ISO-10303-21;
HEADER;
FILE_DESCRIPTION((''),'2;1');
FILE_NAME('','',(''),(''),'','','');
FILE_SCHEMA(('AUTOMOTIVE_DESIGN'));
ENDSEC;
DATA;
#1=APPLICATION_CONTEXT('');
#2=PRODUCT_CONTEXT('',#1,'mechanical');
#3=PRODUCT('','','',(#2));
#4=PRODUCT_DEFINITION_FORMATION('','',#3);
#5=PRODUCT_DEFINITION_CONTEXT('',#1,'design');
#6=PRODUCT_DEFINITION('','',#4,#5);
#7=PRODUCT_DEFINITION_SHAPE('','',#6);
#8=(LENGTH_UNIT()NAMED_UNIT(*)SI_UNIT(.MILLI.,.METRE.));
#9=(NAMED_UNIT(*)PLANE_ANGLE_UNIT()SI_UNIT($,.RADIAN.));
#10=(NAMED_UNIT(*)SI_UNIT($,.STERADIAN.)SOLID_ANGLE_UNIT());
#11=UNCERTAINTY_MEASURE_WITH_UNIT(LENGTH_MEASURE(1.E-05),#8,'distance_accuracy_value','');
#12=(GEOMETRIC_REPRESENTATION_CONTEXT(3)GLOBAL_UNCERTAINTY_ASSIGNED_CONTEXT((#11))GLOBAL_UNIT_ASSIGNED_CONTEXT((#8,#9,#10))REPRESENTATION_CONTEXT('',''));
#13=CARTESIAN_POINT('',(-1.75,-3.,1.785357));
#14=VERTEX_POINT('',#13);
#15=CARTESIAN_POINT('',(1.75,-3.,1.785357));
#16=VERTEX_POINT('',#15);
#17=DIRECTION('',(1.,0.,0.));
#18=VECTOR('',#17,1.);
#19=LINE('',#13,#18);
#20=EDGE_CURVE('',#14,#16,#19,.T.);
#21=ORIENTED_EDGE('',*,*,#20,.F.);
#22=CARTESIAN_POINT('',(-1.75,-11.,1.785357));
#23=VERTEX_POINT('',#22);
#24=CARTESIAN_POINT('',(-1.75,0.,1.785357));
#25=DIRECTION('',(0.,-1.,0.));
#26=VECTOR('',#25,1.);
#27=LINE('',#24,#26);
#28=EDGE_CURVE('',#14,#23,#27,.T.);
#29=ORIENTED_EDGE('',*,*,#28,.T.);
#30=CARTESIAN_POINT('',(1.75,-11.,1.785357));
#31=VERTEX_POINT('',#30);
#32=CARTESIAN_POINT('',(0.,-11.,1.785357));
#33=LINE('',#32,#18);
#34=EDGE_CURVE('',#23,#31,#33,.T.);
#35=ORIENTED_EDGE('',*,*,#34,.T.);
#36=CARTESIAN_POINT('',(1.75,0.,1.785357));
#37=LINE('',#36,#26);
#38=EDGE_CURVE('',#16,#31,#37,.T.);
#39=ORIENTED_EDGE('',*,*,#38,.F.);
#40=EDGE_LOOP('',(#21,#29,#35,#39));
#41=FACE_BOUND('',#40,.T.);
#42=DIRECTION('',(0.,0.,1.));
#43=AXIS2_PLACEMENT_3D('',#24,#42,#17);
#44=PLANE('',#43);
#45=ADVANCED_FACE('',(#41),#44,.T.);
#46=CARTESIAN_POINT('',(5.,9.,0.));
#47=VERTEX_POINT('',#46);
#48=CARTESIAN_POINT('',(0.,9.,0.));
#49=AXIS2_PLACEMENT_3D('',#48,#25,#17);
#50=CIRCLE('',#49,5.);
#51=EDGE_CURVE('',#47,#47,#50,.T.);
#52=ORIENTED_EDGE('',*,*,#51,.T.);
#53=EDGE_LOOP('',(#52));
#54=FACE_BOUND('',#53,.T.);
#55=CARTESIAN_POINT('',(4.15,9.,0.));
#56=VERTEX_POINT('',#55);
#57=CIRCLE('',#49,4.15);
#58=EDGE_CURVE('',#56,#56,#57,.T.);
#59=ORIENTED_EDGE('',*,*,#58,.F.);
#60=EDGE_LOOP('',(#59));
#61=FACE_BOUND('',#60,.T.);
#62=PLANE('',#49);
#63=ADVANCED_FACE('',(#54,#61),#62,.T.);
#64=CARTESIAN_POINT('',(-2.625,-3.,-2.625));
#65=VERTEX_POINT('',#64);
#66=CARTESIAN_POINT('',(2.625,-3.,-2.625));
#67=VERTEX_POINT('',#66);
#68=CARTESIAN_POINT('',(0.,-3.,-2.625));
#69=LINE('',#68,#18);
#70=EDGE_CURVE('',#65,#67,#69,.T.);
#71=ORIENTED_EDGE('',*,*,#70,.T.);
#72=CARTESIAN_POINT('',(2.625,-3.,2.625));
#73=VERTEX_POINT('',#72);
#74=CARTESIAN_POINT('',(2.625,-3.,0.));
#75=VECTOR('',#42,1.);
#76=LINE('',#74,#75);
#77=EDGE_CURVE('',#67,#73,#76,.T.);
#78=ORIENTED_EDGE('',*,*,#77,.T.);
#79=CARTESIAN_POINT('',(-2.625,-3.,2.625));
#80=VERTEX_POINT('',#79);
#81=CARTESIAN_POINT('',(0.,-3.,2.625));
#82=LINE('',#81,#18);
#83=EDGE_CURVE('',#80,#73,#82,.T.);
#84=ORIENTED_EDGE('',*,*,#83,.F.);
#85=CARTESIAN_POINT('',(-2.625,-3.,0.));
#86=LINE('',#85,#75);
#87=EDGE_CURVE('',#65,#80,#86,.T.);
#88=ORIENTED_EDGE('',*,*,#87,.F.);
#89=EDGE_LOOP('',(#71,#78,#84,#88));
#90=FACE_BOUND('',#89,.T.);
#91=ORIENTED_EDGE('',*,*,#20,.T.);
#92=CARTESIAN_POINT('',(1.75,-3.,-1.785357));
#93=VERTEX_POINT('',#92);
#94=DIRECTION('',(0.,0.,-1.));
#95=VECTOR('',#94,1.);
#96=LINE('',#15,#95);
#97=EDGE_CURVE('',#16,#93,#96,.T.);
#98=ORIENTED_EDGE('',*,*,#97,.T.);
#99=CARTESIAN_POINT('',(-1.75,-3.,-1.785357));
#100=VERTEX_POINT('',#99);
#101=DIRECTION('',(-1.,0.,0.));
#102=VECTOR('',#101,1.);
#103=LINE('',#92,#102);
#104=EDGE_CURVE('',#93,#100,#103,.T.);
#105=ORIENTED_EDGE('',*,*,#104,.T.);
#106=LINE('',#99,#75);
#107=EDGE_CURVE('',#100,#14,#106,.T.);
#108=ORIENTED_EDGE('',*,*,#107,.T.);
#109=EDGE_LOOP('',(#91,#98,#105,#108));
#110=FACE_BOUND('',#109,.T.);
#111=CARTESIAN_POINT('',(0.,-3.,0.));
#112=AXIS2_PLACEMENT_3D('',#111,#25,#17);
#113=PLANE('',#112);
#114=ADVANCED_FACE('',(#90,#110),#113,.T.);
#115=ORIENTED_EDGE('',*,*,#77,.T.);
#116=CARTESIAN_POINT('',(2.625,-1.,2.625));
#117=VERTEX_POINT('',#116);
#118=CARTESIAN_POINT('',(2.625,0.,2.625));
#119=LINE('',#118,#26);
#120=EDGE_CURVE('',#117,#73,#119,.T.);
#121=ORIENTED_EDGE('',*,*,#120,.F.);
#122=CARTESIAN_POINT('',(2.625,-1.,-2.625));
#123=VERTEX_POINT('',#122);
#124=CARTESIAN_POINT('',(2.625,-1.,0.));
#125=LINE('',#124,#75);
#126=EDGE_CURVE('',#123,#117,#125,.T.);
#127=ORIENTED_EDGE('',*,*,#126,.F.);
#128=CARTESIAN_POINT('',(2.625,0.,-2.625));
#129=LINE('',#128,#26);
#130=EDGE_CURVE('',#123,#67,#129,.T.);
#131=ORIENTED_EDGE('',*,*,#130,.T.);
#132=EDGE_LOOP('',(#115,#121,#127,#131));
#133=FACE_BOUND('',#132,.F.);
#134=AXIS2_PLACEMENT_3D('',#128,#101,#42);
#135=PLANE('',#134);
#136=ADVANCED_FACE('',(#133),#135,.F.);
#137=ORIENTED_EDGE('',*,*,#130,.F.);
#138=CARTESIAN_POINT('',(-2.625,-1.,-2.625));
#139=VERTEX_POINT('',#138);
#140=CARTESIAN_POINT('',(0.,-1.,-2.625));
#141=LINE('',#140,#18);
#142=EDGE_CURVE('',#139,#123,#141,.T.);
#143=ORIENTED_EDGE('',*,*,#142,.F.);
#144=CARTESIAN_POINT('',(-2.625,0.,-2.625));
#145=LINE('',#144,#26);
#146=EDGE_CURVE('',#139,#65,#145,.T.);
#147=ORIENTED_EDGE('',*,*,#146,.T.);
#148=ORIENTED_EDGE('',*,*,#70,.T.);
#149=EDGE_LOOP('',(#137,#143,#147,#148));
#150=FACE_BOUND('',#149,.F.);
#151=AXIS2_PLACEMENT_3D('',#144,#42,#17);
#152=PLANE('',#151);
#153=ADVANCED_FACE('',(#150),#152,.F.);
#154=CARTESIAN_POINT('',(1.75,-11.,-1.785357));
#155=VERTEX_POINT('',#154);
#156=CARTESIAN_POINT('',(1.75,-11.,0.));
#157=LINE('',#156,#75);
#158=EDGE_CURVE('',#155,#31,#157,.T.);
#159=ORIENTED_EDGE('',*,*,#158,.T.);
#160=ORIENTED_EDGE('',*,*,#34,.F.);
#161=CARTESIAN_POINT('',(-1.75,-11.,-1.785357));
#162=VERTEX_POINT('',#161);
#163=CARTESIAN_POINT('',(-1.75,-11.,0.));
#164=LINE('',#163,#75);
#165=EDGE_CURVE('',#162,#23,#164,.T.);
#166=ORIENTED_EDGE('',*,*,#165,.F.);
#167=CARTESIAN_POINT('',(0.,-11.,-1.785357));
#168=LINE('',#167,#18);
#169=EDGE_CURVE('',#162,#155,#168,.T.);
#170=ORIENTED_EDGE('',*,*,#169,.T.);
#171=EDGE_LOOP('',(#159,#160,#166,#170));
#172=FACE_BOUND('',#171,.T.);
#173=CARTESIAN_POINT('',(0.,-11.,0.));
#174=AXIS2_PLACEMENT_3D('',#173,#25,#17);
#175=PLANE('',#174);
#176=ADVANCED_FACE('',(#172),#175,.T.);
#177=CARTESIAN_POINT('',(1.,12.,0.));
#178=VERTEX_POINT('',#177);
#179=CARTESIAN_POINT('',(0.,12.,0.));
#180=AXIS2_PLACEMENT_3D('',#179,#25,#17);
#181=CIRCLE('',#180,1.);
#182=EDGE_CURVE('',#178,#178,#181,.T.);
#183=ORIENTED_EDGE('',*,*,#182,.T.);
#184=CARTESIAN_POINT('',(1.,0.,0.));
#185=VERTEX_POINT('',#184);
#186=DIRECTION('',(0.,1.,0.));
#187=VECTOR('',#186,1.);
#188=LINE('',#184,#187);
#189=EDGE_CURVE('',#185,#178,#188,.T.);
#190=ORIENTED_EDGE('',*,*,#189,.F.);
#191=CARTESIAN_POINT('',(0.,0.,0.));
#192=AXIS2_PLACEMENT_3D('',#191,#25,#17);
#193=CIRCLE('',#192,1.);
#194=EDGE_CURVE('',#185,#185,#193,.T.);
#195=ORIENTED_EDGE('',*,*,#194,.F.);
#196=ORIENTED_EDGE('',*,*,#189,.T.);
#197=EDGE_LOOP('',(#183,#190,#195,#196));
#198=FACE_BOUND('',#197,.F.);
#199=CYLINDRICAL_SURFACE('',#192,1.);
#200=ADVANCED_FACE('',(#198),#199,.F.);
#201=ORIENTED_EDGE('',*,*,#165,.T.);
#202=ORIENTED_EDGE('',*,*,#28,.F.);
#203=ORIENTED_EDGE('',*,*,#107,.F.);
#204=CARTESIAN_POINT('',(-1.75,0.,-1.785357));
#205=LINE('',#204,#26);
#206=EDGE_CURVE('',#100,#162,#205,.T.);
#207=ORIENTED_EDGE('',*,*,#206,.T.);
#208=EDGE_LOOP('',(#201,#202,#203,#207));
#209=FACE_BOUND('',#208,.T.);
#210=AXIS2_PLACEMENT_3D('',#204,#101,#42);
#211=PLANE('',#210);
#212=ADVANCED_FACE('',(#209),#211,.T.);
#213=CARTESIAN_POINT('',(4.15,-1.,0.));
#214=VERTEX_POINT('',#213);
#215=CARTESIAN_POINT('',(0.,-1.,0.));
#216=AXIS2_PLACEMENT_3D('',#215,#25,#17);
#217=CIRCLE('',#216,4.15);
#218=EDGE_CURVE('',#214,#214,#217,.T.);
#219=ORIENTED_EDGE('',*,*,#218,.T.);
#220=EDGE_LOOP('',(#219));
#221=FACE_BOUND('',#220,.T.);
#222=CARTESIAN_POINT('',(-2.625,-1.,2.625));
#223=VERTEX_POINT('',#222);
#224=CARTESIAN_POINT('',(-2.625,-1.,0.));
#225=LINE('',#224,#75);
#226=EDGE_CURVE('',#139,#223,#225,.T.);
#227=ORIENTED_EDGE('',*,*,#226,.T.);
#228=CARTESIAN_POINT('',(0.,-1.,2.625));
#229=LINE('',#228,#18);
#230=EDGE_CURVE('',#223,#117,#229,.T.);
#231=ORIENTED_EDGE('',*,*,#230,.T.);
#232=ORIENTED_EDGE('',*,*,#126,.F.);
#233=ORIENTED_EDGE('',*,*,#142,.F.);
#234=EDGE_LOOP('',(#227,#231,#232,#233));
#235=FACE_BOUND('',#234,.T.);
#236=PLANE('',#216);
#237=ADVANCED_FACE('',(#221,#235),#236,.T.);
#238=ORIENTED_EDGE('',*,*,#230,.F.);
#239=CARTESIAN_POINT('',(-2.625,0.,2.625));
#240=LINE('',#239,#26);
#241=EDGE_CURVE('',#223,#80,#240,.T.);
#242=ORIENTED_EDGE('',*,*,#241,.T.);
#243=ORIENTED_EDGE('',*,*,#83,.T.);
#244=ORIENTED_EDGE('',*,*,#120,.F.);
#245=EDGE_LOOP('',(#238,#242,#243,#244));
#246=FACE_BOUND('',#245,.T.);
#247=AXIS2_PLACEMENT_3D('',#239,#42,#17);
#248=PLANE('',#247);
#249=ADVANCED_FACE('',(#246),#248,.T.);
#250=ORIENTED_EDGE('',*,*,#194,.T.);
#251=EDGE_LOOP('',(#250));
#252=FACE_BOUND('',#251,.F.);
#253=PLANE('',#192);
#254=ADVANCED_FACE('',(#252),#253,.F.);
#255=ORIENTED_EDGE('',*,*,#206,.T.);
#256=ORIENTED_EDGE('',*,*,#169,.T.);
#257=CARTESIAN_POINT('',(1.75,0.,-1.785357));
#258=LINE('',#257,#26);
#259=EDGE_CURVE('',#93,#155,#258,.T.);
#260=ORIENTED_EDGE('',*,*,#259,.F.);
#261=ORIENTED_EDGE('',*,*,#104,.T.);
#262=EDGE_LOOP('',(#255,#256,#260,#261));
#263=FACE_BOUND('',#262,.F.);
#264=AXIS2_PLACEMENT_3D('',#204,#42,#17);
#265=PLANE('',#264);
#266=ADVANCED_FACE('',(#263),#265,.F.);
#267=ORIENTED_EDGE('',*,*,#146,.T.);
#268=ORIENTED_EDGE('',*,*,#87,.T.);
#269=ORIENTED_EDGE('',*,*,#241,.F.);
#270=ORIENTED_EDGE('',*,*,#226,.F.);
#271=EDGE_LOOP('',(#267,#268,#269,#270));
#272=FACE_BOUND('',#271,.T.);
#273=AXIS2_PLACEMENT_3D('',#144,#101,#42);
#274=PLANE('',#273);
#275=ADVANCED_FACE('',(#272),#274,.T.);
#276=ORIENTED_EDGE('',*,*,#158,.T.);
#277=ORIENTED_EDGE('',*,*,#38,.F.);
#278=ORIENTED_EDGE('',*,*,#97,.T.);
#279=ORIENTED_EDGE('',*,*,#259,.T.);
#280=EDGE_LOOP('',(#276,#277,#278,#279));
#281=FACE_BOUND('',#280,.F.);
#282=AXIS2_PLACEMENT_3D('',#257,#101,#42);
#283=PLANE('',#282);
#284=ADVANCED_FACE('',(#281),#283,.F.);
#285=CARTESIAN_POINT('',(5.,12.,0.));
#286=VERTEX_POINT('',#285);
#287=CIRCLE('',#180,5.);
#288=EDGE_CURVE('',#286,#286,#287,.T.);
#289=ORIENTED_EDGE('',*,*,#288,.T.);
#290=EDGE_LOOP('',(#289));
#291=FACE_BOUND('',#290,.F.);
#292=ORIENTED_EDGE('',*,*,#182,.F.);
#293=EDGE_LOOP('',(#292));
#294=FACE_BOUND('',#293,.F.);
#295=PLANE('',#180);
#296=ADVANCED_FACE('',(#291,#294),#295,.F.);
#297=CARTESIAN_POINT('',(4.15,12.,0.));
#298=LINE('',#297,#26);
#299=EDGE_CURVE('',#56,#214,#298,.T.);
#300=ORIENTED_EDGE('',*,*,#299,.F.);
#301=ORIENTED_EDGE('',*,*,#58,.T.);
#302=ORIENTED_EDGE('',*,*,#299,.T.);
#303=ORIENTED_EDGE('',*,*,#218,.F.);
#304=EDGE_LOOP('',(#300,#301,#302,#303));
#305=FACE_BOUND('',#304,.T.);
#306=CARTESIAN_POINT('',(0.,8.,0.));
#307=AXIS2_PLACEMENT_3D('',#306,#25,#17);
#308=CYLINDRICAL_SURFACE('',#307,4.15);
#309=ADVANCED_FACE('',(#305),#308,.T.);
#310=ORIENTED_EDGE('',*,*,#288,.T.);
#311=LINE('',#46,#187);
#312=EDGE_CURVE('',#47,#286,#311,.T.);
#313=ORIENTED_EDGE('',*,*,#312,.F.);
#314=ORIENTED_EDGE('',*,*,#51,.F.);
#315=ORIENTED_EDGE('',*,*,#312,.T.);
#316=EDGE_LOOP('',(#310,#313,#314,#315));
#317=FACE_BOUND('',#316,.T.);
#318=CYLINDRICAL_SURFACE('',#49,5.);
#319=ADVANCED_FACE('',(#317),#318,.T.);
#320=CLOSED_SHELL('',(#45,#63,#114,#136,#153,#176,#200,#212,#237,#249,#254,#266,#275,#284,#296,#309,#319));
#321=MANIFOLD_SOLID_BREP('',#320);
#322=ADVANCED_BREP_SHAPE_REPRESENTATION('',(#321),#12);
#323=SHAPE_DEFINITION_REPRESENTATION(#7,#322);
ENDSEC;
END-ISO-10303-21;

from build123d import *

# Parameters (mm, degrees)
F0_W          = 3.5
F0_H          = 3.5707142143
F0_R          = 1
F1_DEPTH      = 11
F0_W_2        = 5.25
F0_H_2        = 5.25
F2_DEPTH      = 3
F0_R_2        = 4.15
F3_DEPTH      = 8
F3_DEPTH_BACK = 1
F4_DEPTH      = 12
F5_DEPTH      = 4
F6_START      = -9
F0_R_3        = 5
F6_DEPTH      = 3


with BuildPart() as f1:
    # F0 (on Front) → F1 (new body)
    with BuildSketch(Plane.XZ):
        Rectangle(F0_W, F0_H)
        Circle(F0_R, mode=Mode.SUBTRACT)
        Circle(F0_R)
    extrude(amount=F1_DEPTH)

    # F0 (on Front) → F2 (join)
    with BuildSketch(Plane.XZ):
        Rectangle(F0_W_2, F0_H_2)
        with BuildLine():
            ThreePointArc((1.75, 1.7853571071), (2.3048861143, 0.9682458366), (2.5, 0))
            ThreePointArc((2.5, 0), (2.3048861143, -0.9682458366), (1.75, -1.7853571071))
            ThreePointArc((1.75, -1.7853571071), (0, -2.5), (-1.75, -1.7853571071))
            ThreePointArc((-1.75, -1.7853571071), (-2.5, 0), (-1.75, 1.7853571071))
            ThreePointArc((-1.75, 1.7853571071), (0, 2.5), (1.75, 1.7853571071))
        make_face(mode=Mode.SUBTRACT)
        with BuildLine():
            Line((-1.75, -1.7853571071), (-1.75, 1.7853571071))
            ThreePointArc((-1.75, 1.7853571071), (-2.5, 0), (-1.75, -1.7853571071))
        make_face()
        with BuildLine():
            ThreePointArc((1.75, -1.7853571071), (2.3048861143, -0.9682458366), (2.5, 0))
            ThreePointArc((2.5, 0), (2.3048861143, 0.9682458366), (1.75, 1.7853571071))
            Line((1.75, 1.7853571071), (1.75, -1.7853571071))
        make_face()
        with BuildLine():
            ThreePointArc((-1.75, -1.7853571071), (0, -2.5), (1.75, -1.7853571071))
            Line((1.75, -1.7853571071), (-1.75, -1.7853571071))
        make_face()
        with BuildLine():
            Line((-1.75, 1.7853571071), (1.75, 1.7853571071))
            ThreePointArc((1.75, 1.7853571071), (0, 2.5), (-1.75, 1.7853571071))
        make_face()
    extrude(amount=F2_DEPTH)

    # F0 (on Front) → F3 (join, two sides)
    with BuildSketch(Plane.XZ) as f3_sk:
        Circle(F0_R_2)
        Rectangle(F0_W_2, F0_H_2, mode=Mode.SUBTRACT)
    extrude(amount=-F3_DEPTH)
    extrude(f3_sk.sketch, amount=F3_DEPTH_BACK)

    # F0 (on Front) → F4 (join)
    with BuildSketch(Plane.XZ):
        Rectangle(F0_W_2, F0_H_2)
        with BuildLine():
            ThreePointArc((1.75, 1.7853571071), (2.3048861143, 0.9682458366), (2.5, 0))
            ThreePointArc((2.5, 0), (2.3048861143, -0.9682458366), (1.75, -1.7853571071))
            ThreePointArc((1.75, -1.7853571071), (0, -2.5), (-1.75, -1.7853571071))
            ThreePointArc((-1.75, -1.7853571071), (-2.5, 0), (-1.75, 1.7853571071))
            ThreePointArc((-1.75, 1.7853571071), (0, 2.5), (1.75, 1.7853571071))
        make_face(mode=Mode.SUBTRACT)
        Rectangle(F0_W, F0_H)
        Circle(F0_R, mode=Mode.SUBTRACT)
        with BuildLine():
            Line((-1.75, -1.7853571071), (-1.75, 1.7853571071))
            ThreePointArc((-1.75, 1.7853571071), (-2.5, 0), (-1.75, -1.7853571071))
        make_face()
        with BuildLine():
            ThreePointArc((1.75, -1.7853571071), (2.3048861143, -0.9682458366), (2.5, 0))
            ThreePointArc((2.5, 0), (2.3048861143, 0.9682458366), (1.75, 1.7853571071))
            Line((1.75, 1.7853571071), (1.75, -1.7853571071))
        make_face()
        with BuildLine():
            Line((-1.75, 1.7853571071), (1.75, 1.7853571071))
            ThreePointArc((1.75, 1.7853571071), (0, 2.5), (-1.75, 1.7853571071))
        make_face()
        with BuildLine():
            ThreePointArc((-1.75, -1.7853571071), (0, -2.5), (1.75, -1.7853571071))
            Line((1.75, -1.7853571071), (-1.75, -1.7853571071))
        make_face()
    extrude(amount=-F4_DEPTH)

    # F5 (add): a face of the model
    f5_faces = [f1.faces().sort_by_distance(p)[0] for p in [
        (-4.0326202743, 8, 0),
    ]]
    extrude(f5_faces, amount=F5_DEPTH)

    # F0 (on Front) → F6 (join)
    with BuildSketch(Plane.XZ.offset(F6_START)):
        Circle(F0_R_3)
        Circle(F0_R_2, mode=Mode.SUBTRACT)
    extrude(amount=-F6_DEPTH)


solid = f1.part
